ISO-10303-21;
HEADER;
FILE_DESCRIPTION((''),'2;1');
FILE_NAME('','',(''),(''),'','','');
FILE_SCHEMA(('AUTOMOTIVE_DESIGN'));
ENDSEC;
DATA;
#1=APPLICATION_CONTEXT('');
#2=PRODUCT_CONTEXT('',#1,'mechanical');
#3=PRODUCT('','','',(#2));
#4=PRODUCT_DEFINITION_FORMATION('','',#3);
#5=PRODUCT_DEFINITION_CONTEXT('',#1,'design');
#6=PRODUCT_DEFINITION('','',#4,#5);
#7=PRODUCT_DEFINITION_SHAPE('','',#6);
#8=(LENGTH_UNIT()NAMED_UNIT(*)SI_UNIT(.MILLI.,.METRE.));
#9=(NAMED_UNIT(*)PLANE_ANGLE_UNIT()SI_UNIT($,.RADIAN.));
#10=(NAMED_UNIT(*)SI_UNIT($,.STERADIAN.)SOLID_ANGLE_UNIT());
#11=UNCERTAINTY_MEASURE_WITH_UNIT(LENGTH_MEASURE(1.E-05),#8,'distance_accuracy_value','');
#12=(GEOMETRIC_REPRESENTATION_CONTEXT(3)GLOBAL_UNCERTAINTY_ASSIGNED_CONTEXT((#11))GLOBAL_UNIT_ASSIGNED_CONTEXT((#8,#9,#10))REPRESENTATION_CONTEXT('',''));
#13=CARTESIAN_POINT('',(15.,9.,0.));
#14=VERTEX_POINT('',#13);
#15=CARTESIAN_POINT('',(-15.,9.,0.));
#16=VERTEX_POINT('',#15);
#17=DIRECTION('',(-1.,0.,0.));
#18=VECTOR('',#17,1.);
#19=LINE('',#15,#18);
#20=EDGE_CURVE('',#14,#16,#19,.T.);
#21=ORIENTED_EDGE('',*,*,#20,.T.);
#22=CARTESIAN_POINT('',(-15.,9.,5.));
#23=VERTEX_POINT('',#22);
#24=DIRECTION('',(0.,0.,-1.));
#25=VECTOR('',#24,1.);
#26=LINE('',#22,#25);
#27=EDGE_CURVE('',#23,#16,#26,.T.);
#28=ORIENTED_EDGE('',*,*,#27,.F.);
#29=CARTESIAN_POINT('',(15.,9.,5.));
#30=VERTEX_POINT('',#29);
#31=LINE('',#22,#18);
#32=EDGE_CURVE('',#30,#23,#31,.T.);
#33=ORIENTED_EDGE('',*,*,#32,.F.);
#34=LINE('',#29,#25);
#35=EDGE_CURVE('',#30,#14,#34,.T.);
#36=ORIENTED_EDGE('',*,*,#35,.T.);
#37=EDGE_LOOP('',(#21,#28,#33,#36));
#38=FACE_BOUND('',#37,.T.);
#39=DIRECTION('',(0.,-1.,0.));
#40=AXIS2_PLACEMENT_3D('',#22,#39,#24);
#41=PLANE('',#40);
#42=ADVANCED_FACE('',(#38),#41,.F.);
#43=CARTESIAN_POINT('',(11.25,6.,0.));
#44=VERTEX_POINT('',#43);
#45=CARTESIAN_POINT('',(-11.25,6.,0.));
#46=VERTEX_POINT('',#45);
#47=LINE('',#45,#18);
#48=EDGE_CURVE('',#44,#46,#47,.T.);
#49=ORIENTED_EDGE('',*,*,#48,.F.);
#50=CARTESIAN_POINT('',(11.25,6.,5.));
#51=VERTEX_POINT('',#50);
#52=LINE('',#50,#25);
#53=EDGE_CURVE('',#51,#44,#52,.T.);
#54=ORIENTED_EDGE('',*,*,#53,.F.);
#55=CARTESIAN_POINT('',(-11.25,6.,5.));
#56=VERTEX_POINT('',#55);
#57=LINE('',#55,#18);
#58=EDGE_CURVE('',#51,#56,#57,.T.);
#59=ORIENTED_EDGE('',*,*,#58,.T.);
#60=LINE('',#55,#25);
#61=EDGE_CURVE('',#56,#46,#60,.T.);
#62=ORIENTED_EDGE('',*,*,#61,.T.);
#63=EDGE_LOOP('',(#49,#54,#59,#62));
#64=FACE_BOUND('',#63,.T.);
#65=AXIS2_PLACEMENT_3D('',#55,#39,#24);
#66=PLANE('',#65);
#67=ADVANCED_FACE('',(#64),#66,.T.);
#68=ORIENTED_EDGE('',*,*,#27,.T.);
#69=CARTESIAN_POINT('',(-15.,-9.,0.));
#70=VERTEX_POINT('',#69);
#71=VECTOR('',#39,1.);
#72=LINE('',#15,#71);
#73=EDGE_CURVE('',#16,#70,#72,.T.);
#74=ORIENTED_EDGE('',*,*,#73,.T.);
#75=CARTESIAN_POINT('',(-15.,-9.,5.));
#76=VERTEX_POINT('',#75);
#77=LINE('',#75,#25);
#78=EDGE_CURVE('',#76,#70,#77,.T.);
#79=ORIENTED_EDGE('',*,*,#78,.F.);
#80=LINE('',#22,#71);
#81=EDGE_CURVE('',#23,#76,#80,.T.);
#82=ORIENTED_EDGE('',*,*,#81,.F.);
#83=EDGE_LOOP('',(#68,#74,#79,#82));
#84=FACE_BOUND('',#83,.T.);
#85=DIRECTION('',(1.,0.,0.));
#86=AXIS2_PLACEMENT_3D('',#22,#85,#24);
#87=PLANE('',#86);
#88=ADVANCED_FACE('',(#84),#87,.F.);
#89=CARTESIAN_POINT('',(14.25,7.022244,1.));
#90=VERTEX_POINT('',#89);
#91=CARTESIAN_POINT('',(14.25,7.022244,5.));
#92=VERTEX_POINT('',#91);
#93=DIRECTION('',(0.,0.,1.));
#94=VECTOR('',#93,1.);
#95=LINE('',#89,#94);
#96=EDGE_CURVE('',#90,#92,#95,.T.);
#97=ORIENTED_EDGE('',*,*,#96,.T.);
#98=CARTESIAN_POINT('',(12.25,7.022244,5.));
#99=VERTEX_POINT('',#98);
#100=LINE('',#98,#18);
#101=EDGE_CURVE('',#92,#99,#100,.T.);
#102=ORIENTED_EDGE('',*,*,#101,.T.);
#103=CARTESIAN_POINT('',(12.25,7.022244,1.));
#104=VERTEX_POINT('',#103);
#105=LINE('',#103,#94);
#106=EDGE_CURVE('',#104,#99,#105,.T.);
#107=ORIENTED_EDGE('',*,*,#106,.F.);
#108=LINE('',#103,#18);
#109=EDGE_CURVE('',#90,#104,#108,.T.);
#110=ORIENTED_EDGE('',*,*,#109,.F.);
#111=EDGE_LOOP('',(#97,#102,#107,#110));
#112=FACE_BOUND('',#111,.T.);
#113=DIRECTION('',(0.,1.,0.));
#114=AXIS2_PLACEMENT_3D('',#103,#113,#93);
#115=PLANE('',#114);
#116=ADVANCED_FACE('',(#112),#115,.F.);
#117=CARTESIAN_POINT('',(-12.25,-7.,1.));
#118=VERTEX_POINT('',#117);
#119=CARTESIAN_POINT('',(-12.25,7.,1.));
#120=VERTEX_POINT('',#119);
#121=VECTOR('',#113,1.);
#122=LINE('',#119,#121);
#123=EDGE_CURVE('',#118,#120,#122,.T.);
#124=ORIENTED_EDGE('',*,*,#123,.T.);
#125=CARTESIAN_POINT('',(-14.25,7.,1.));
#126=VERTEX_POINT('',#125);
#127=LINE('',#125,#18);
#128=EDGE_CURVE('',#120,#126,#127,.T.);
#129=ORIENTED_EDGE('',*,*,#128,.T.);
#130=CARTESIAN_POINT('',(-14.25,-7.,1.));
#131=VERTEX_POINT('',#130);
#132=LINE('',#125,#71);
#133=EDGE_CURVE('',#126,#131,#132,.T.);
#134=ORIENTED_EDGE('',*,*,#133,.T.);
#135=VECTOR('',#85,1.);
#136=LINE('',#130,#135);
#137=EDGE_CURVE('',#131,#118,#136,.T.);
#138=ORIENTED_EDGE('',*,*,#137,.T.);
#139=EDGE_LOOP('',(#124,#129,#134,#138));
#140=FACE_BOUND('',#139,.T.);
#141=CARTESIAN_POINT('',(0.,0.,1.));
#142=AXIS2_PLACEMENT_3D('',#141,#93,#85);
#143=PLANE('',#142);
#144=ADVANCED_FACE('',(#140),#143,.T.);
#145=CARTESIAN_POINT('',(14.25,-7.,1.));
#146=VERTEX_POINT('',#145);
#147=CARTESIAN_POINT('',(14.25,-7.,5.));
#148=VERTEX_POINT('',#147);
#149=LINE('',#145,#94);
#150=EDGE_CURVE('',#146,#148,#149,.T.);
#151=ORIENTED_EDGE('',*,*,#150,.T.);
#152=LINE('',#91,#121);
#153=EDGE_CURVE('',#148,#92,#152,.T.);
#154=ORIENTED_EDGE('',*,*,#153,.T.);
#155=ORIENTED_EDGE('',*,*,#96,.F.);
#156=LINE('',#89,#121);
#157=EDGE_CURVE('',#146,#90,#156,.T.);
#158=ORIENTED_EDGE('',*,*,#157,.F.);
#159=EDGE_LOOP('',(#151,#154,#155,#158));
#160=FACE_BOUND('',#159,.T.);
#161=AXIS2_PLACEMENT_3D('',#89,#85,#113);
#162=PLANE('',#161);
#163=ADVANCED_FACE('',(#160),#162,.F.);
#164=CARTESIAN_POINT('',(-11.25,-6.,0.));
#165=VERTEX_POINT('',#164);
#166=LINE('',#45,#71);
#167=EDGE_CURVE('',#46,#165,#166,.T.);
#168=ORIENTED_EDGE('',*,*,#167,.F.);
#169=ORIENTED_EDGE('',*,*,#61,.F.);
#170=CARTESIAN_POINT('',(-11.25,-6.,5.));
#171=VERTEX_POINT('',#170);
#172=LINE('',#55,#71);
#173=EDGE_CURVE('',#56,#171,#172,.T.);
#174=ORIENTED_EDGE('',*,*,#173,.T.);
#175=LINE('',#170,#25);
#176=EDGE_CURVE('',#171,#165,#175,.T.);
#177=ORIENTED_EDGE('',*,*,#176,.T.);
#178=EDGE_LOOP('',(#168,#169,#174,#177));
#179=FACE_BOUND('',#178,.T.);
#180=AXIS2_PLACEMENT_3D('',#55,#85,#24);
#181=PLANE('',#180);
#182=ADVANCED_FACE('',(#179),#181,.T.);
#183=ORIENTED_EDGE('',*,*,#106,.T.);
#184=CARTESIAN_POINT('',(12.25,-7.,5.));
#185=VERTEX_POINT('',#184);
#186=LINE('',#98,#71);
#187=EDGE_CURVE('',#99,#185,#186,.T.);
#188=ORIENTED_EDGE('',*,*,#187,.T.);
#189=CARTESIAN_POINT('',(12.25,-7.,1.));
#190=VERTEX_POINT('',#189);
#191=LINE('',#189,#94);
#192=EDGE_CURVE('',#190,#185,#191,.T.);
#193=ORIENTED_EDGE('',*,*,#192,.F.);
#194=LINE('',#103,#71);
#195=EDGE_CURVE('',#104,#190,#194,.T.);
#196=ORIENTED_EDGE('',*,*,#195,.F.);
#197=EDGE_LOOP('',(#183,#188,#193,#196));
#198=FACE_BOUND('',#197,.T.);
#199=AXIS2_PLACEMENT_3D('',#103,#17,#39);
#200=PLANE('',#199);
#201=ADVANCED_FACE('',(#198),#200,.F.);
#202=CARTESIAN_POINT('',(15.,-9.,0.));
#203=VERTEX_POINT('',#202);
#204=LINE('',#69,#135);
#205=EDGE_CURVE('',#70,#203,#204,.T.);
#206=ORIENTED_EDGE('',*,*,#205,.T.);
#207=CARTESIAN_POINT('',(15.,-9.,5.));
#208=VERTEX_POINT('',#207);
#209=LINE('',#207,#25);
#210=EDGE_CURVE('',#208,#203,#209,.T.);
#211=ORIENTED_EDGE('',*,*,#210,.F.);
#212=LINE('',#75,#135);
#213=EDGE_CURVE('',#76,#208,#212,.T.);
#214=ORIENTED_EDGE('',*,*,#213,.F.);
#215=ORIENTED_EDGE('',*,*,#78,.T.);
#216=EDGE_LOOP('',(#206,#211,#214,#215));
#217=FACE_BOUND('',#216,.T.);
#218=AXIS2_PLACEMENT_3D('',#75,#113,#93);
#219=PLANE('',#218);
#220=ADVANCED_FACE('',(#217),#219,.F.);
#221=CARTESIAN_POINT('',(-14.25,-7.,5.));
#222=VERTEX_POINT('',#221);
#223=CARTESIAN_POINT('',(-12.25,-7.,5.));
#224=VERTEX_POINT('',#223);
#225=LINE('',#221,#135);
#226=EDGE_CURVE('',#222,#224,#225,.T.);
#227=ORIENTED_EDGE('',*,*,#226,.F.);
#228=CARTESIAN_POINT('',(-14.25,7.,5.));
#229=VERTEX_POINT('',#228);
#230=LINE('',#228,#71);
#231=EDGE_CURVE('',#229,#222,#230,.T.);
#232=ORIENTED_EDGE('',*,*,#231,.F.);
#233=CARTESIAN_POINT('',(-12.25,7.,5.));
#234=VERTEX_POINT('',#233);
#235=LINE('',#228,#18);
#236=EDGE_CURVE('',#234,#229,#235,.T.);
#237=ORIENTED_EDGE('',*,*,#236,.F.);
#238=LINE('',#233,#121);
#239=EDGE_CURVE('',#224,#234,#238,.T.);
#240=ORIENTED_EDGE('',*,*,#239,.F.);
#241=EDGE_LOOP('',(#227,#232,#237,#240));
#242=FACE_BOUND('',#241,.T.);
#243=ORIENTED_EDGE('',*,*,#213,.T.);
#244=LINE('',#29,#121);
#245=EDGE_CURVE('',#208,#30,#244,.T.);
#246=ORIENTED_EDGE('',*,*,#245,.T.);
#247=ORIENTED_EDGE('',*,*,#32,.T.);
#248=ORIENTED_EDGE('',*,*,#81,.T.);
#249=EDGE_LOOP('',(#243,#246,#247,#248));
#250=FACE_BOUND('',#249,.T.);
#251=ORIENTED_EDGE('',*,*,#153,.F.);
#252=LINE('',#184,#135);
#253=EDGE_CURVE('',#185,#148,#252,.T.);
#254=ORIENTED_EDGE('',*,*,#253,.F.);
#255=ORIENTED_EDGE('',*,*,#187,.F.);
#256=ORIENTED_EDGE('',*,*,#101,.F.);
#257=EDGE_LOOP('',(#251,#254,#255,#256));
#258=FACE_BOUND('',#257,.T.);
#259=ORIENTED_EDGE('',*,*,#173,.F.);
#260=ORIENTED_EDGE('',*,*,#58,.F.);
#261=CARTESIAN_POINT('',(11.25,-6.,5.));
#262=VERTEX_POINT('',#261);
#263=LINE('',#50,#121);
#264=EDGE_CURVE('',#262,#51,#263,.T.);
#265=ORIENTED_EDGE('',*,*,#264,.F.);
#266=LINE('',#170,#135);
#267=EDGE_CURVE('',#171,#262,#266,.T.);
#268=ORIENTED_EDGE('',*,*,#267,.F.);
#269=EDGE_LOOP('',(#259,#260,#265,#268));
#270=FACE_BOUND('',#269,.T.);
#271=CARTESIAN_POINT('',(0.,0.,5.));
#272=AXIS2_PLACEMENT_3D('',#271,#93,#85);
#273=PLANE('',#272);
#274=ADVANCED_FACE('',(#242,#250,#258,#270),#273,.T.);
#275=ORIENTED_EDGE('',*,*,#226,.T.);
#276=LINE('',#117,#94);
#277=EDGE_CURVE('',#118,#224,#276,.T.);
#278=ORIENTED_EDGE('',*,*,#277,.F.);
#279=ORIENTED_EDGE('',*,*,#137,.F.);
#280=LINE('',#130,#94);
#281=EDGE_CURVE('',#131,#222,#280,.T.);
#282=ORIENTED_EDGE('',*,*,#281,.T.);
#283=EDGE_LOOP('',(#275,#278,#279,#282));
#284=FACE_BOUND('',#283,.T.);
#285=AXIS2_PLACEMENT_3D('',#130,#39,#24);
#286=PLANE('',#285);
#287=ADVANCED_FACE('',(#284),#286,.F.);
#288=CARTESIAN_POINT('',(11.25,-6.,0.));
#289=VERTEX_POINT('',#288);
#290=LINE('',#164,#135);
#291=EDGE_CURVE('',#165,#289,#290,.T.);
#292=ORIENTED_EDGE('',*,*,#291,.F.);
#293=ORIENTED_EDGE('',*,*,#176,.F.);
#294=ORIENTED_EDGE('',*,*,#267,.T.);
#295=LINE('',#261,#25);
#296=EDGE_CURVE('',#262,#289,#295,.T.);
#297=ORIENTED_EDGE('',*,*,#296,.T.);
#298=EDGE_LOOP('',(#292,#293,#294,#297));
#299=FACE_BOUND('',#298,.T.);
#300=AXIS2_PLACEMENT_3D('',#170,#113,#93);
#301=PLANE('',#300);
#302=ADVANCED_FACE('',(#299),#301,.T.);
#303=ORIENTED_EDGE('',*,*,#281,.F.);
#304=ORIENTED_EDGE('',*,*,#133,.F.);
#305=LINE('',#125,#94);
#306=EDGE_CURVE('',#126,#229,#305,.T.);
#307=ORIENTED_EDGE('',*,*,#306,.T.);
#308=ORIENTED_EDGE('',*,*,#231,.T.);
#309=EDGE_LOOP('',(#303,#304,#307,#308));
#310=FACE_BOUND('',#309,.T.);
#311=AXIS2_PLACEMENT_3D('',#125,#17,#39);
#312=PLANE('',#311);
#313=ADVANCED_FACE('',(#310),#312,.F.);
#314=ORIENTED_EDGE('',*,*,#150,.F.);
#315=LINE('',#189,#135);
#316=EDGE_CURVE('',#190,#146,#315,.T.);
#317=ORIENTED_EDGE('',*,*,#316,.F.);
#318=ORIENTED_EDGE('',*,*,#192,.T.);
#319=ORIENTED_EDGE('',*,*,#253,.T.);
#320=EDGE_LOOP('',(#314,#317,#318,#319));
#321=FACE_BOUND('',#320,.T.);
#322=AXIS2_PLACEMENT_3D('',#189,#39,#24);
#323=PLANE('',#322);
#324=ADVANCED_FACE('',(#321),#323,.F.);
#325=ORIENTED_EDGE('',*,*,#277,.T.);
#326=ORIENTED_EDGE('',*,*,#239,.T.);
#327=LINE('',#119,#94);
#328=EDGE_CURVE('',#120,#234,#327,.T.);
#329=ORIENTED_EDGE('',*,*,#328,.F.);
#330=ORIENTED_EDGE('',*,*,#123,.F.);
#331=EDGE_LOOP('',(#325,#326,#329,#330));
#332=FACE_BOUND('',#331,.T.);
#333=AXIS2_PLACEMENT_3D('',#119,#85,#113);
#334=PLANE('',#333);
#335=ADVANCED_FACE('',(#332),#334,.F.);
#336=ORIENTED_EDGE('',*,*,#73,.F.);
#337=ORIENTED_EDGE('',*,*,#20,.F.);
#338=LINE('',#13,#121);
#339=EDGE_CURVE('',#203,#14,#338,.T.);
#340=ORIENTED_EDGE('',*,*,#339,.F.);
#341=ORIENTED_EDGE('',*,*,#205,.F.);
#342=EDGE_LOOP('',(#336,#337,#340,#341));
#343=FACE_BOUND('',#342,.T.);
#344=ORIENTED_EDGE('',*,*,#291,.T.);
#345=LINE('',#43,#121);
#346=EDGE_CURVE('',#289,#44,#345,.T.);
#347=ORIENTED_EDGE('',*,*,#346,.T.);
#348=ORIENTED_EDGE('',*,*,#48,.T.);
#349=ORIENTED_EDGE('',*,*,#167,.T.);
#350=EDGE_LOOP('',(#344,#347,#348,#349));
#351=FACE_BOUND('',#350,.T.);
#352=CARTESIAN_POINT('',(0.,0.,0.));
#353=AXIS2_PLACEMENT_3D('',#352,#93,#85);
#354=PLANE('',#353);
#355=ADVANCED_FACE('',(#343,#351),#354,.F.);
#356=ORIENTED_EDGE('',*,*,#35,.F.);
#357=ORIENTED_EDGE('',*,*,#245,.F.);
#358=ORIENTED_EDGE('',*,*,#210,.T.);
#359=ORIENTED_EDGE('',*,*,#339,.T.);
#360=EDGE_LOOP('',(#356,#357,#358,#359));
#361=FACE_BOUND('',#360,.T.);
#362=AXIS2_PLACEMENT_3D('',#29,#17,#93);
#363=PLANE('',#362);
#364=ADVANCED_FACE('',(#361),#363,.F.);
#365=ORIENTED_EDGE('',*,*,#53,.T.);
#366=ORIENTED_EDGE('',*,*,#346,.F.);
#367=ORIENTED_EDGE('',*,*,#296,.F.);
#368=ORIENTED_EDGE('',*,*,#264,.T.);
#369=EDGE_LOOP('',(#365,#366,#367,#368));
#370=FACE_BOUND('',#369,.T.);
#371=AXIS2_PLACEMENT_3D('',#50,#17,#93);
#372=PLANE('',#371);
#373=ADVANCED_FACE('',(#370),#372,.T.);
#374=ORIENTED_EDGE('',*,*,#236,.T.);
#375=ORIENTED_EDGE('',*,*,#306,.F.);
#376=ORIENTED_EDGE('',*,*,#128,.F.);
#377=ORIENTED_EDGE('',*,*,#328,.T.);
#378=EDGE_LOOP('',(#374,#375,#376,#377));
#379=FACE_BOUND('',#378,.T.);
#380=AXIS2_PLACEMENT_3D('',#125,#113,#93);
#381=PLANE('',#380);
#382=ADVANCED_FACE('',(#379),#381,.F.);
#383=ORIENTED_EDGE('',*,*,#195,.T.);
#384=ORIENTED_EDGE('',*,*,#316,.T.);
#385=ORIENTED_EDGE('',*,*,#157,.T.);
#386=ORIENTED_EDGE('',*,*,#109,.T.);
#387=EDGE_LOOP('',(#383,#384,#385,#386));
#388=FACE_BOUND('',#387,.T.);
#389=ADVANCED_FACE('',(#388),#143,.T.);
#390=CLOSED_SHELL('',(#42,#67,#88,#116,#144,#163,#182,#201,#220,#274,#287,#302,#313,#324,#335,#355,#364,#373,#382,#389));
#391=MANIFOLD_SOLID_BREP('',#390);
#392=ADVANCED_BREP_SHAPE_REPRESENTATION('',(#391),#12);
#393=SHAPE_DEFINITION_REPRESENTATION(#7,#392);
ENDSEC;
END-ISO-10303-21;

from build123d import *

# Parameters (mm, degrees)
SKETCH1_W           = 30
SKETCH1_H           = 18
SKETCH1_W_2         = 22.5
SKETCH1_H_2         = 12
BOSS_EXTRUDE2_DEPTH = 5
SKETCH2_W           = 2
SKETCH2_H           = 14
SKETCH2_H_2         = 14.02224411
CUT_EXTRUDE1_DEPTH  = 4


with BuildPart() as part:
    # Sketch1 → Boss-Extrude2 (new body)
    with BuildSketch(Plane.XY):
        Rectangle(SKETCH1_W, SKETCH1_H)
        Rectangle(SKETCH1_W_2, SKETCH1_H_2, mode=Mode.SUBTRACT)
    extrude(amount=BOSS_EXTRUDE2_DEPTH)

    # Sketch2 → Cut-Extrude1 (cut)
    with BuildSketch(Plane.XY.offset(5)):
        with Locations((-13.25, 0)):
            Rectangle(SKETCH2_W, SKETCH2_H)
        with Locations((13.25, 0.011122055)):
            Rectangle(SKETCH2_W, SKETCH2_H_2)
    extrude(amount=-CUT_EXTRUDE1_DEPTH, mode=Mode.SUBTRACT)


solid = part.part
